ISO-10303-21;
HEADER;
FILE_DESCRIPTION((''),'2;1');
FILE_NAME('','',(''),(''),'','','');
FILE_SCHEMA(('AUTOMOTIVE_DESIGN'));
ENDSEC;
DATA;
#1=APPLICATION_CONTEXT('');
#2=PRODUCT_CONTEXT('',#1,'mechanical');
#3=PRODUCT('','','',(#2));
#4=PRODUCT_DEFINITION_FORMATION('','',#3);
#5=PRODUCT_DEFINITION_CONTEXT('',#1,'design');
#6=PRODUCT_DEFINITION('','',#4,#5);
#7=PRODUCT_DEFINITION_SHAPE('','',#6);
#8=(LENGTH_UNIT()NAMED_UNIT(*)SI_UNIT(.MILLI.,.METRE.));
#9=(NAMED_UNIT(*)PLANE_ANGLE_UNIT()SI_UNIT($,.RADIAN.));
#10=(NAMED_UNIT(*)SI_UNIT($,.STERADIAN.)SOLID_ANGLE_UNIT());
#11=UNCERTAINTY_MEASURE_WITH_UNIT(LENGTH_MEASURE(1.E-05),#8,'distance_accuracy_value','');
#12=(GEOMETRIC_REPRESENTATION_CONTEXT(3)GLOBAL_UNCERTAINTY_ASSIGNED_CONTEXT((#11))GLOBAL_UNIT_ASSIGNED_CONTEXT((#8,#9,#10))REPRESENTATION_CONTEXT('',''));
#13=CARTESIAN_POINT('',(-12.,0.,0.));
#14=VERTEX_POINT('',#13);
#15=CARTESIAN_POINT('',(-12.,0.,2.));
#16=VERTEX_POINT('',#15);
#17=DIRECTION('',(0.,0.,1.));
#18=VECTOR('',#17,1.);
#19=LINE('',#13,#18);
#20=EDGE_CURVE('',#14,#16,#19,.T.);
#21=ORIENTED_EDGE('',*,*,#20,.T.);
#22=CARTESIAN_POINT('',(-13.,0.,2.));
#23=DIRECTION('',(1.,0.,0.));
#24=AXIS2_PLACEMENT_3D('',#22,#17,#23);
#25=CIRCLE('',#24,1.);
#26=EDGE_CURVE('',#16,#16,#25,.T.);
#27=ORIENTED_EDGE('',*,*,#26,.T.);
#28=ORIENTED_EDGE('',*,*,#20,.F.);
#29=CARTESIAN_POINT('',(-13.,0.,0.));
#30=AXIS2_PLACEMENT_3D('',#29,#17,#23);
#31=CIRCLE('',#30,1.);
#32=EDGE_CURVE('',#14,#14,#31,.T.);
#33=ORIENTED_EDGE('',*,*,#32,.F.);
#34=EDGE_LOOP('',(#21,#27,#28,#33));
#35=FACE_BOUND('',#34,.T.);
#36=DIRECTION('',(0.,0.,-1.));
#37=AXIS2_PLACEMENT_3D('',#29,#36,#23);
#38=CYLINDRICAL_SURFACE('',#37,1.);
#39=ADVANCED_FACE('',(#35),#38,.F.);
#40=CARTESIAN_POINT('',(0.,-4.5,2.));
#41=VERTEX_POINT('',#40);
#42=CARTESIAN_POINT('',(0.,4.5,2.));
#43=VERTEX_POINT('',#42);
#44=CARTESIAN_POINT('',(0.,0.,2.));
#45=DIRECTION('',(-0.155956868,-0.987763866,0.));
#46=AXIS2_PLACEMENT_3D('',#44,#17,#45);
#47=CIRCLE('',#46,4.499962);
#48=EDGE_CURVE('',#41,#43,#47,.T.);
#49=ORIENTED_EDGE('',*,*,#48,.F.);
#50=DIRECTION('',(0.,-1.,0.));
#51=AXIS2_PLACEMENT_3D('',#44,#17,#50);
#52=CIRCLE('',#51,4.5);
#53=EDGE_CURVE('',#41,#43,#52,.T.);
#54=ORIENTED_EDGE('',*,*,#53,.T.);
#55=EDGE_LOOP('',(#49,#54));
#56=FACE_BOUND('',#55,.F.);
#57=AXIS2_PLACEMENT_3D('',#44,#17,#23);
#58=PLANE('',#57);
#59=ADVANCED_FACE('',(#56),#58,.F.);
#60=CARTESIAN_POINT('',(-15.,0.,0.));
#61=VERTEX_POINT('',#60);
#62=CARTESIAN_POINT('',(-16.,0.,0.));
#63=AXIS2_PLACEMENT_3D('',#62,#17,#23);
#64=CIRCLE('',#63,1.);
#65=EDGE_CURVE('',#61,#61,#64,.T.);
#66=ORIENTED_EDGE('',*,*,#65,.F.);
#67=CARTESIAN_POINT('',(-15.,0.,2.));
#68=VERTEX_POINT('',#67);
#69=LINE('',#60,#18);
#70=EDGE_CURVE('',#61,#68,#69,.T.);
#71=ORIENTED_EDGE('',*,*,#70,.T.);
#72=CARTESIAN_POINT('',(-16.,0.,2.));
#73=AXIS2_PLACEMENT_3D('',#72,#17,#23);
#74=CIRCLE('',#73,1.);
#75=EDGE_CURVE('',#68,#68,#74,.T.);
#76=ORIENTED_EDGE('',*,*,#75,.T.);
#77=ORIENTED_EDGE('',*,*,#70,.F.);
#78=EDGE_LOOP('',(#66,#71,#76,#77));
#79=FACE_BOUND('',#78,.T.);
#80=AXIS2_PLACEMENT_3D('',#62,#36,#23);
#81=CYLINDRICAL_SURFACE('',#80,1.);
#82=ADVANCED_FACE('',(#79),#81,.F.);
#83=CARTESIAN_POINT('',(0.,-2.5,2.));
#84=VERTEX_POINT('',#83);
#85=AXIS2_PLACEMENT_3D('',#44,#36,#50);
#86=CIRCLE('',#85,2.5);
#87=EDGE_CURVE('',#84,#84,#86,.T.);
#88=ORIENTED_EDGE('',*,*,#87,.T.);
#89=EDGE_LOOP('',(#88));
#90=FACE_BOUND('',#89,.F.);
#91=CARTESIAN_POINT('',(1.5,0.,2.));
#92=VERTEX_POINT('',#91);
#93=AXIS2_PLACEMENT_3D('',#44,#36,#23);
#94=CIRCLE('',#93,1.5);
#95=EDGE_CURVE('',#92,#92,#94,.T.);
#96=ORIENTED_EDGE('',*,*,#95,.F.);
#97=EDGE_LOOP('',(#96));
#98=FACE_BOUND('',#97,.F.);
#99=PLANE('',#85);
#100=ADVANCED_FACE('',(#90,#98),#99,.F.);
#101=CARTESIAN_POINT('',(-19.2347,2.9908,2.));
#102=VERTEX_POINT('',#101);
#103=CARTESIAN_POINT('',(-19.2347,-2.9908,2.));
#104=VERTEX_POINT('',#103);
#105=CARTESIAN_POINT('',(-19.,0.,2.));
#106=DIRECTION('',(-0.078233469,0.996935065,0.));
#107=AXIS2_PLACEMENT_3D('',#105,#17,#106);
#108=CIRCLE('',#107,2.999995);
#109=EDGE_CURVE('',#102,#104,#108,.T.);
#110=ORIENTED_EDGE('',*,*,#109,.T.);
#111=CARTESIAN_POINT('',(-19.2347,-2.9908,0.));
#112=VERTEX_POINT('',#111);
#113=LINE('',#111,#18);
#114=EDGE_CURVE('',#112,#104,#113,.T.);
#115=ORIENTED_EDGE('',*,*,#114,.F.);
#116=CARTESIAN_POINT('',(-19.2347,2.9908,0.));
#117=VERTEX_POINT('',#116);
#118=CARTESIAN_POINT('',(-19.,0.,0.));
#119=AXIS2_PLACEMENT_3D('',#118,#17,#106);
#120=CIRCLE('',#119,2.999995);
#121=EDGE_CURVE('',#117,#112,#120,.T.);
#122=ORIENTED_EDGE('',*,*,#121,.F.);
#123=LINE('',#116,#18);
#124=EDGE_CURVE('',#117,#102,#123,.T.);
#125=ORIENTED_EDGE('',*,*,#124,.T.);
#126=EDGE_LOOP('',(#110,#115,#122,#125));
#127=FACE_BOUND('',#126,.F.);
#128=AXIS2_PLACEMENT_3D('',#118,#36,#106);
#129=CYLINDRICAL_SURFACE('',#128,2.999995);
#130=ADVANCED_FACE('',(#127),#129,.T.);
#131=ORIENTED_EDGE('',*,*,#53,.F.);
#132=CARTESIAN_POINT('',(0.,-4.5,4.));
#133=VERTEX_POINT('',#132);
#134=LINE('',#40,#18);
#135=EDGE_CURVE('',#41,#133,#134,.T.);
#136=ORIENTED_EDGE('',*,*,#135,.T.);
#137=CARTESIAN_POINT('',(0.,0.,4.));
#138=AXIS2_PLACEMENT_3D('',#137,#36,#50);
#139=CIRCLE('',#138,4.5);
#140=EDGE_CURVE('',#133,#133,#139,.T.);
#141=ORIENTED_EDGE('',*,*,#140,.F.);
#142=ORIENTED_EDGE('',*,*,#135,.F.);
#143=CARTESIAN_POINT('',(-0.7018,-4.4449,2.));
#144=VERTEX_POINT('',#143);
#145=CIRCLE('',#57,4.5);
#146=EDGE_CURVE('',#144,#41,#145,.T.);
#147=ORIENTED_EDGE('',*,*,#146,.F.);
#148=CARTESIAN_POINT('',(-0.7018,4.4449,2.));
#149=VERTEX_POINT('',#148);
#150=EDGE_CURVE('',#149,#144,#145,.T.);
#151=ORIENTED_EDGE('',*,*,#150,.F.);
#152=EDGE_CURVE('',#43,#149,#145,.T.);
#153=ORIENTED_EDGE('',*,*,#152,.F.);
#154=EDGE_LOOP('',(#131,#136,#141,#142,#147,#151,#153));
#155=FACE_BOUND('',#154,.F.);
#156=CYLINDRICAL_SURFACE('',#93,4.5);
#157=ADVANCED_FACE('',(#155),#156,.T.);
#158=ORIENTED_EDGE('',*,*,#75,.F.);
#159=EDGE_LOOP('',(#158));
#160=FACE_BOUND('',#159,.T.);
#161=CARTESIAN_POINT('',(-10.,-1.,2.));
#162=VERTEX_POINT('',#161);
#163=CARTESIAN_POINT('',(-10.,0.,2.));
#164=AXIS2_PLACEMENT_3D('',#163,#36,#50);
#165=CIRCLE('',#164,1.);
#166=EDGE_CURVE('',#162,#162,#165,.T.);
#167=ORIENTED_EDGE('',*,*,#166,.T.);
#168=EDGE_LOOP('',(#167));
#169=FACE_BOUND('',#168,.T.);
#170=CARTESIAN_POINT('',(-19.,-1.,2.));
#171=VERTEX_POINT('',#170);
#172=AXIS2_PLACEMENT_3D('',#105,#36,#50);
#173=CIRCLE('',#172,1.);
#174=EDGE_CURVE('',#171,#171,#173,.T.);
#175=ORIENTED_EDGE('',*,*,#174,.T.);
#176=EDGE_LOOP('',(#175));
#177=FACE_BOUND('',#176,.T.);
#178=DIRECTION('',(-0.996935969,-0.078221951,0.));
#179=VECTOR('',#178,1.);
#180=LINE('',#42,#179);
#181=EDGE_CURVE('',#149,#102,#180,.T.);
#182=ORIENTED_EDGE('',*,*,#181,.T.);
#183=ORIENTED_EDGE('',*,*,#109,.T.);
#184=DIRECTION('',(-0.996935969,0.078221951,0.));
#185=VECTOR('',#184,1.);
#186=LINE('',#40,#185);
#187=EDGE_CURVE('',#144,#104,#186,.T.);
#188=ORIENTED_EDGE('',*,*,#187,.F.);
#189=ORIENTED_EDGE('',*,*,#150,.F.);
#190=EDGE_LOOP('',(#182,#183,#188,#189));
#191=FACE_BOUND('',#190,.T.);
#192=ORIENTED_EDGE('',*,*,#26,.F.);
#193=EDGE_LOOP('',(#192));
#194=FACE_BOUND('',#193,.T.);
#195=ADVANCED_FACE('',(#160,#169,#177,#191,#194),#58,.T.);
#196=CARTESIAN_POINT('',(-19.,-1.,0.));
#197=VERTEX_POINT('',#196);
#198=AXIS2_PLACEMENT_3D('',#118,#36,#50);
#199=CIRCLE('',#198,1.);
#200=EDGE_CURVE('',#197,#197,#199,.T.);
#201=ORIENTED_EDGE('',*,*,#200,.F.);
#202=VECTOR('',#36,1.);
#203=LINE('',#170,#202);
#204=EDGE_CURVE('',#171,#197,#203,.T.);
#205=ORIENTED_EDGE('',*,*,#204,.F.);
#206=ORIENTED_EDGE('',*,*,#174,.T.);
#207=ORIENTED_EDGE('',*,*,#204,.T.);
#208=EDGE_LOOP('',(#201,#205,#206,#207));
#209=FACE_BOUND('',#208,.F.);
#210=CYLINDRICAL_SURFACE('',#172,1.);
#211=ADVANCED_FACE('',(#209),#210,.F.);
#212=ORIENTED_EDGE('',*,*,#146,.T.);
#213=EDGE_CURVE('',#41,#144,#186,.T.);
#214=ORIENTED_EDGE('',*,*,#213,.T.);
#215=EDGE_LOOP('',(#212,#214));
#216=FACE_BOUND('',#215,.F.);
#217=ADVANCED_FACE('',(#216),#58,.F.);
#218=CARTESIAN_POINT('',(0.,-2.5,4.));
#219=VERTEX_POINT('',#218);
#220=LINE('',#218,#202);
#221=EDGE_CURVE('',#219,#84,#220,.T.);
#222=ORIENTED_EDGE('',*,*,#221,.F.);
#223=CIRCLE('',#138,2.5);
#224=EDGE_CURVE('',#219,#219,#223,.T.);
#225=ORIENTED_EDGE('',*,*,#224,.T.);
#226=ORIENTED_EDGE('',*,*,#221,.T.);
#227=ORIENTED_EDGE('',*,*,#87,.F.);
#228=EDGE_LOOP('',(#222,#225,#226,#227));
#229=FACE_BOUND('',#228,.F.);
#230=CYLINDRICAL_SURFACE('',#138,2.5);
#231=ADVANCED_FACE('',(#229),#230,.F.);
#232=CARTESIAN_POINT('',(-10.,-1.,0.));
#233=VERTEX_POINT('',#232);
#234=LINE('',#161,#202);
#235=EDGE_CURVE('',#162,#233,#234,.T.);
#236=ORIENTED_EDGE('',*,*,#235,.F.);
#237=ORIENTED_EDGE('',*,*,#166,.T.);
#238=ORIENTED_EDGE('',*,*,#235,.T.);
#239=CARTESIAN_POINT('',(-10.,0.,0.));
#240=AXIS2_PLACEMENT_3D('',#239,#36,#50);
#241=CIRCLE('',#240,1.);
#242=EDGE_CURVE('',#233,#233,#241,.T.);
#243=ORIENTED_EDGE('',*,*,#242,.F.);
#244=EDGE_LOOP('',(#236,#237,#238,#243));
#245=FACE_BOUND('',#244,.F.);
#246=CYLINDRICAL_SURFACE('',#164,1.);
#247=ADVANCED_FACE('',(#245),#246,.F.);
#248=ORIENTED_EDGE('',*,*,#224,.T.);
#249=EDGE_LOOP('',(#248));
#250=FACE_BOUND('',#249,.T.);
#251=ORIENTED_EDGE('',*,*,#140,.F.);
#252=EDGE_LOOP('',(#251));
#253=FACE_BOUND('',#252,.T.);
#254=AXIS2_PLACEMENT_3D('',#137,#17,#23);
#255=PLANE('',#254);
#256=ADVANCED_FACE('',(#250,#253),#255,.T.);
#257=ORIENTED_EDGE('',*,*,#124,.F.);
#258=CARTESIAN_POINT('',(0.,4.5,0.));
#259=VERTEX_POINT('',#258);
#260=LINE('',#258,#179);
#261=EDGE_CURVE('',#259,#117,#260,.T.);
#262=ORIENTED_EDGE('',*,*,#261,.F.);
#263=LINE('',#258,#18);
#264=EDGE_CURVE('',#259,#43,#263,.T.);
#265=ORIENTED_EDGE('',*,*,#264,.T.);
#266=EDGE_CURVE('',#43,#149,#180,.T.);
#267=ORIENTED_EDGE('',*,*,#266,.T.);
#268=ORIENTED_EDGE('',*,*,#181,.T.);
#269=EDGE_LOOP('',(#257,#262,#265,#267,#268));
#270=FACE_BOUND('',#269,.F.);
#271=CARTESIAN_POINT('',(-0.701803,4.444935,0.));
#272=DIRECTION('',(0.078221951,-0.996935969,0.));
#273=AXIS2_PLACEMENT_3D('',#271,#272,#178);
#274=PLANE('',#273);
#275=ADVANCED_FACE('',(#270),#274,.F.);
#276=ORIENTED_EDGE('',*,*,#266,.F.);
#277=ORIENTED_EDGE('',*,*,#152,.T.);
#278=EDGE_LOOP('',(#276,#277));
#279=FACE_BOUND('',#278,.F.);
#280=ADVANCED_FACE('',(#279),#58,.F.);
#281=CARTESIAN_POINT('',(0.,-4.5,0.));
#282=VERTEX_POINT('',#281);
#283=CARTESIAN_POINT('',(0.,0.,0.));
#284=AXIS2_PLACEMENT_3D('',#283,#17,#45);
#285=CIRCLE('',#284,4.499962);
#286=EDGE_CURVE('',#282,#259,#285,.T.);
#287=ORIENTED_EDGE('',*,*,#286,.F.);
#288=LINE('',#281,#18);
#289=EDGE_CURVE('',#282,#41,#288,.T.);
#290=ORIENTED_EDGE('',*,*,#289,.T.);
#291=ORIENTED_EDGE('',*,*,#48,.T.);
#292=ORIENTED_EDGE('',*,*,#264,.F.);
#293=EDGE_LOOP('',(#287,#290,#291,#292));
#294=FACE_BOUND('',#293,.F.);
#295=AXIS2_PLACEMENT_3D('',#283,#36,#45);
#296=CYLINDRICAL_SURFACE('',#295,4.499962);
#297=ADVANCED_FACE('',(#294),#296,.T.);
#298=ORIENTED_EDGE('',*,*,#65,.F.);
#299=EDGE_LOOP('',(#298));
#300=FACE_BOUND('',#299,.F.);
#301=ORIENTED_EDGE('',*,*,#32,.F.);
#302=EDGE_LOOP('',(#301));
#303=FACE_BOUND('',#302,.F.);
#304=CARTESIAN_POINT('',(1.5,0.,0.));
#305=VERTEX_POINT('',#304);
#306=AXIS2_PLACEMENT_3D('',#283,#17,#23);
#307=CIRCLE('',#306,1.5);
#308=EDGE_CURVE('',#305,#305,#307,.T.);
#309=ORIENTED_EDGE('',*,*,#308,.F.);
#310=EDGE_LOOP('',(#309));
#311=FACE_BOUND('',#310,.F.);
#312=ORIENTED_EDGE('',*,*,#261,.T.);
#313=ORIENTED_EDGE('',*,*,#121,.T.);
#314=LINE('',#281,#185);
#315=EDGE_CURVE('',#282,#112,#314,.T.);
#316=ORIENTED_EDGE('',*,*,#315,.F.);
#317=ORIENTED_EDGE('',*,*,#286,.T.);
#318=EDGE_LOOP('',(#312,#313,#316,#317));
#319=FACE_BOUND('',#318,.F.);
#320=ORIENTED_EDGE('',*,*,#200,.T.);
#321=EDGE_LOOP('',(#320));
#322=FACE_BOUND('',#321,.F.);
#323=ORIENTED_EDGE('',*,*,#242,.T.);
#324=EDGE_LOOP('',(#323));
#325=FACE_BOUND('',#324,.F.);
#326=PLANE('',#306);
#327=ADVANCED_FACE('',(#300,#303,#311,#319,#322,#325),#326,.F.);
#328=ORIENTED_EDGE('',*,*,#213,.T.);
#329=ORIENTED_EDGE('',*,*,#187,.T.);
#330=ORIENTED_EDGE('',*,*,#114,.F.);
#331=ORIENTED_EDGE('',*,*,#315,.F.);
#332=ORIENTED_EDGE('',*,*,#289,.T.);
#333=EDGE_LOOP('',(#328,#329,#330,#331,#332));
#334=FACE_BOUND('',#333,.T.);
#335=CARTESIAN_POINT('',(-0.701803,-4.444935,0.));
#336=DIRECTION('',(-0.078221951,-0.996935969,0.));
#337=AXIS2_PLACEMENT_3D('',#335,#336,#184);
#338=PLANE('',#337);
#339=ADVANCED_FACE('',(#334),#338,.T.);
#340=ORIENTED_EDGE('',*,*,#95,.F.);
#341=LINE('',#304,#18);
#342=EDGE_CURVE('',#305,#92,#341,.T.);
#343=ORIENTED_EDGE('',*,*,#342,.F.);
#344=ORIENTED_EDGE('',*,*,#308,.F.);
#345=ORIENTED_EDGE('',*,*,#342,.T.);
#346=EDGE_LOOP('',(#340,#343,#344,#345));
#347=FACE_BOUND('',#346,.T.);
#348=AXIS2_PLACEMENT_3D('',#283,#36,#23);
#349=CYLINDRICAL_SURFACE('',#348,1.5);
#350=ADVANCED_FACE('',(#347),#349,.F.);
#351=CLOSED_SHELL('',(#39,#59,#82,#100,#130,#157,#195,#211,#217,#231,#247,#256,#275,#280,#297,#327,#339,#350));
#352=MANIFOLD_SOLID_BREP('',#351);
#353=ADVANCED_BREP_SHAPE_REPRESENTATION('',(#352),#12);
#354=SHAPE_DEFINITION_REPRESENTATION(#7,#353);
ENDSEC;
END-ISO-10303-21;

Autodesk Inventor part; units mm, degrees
ref_plane "YZ Plane" through (0, 0, 0) normal (1, 0, 0) x (0, 1, 0)
ref_plane "XZ Plane" through (0, 0, 0) normal (0, 1, 0) x (-1, 0, 0)
ref_plane "XY Plane" through (0, 0, 0) normal (0, 0, 1) x (1, 0, 0)
sketch "Sketch1" plane through (0, 0, 0) normal (0, 0, 1) x (1, 0, 0)
  circle A0 centre (-16, 0) radius 1
  circle A1 centre (-13, 0) radius 1
  circle A2 centre (0, 0) radius 1.5
  arc A3 (-19.2347, 2.9908) -> (-19.2347, -2.9908) centre (-19, 0) ccw
  arc A4 (-0.7018, -4.4449) -> (-0.7018, 4.4449) centre (0, 0) ccw
  line L0 (0, -4.5) -> (-19.2347, -2.9908)
  line L1 (0, 4.5) -> (-19.2347, 2.9908)
  dimension "d1" = 2
  dimension "d2" = 2
  dimension "d3" = 3
  dimension "d6" = 3
  dimension "d8" = 6
  dimension "d9" = 9
  dimension "d10" = 3
extrude "Extrusion1" add sketch "Sketch1" along normal blind 2 contours L1 A4 L0 A3
sketch "Sketch2" plane through (0, 0, 2) normal (0, 0, 1) x (1, 0, 0)
  circle A0 centre (0, 0) radius 1.5 projected
  arc A1 (0, -4.5) -> (0, 4.5) centre (0, 0) ccw projected
  circle A2 centre (0, 0) radius 4.5
  dimension "d13" = 9
extrude "Extrusion2" add sketch "Sketch2" along normal blind 2
sketch "Sketch3" plane through (0, 0, 4) normal (0, 0, 1) x (1, 0, 0)
  circle A0 centre (0, 0) radius 1.5 projected
  circle A1 centre (0, 0) radius 4.5 projected
  circle A2 centre (0, 0) radius 2.5
  dimension "d16" = 5
hole "Hole1" at (0, 0, 4) direction (0, 0, -1) diameter 5 depth 2
sketch "Sketch4" plane through (0, 0, 2) normal (0, 0, 1) x (1, 0, 0)
  arc A0 (-19.2347, 2.9908) -> (-19.2347, -2.9908) centre (-19, 0) ccw projected
  circle A1 centre (-16, 0) radius 1 projected
  circle A2 centre (-13, 0) radius 1 projected
  circle A3 centre (-19, 0) radius 1
  circle A4 centre (-10, 0) radius 1
  dimension "d24" = 2
  dimension "d25" = 2
  dimension "d26" = 3
  dimension "d27" = 3
hole "Hole2" at (-19, 0, 2) at (-10, 0, 2) direction (0, 0, -1) diameter 2 end through all
properties part number "horn aluminium"
